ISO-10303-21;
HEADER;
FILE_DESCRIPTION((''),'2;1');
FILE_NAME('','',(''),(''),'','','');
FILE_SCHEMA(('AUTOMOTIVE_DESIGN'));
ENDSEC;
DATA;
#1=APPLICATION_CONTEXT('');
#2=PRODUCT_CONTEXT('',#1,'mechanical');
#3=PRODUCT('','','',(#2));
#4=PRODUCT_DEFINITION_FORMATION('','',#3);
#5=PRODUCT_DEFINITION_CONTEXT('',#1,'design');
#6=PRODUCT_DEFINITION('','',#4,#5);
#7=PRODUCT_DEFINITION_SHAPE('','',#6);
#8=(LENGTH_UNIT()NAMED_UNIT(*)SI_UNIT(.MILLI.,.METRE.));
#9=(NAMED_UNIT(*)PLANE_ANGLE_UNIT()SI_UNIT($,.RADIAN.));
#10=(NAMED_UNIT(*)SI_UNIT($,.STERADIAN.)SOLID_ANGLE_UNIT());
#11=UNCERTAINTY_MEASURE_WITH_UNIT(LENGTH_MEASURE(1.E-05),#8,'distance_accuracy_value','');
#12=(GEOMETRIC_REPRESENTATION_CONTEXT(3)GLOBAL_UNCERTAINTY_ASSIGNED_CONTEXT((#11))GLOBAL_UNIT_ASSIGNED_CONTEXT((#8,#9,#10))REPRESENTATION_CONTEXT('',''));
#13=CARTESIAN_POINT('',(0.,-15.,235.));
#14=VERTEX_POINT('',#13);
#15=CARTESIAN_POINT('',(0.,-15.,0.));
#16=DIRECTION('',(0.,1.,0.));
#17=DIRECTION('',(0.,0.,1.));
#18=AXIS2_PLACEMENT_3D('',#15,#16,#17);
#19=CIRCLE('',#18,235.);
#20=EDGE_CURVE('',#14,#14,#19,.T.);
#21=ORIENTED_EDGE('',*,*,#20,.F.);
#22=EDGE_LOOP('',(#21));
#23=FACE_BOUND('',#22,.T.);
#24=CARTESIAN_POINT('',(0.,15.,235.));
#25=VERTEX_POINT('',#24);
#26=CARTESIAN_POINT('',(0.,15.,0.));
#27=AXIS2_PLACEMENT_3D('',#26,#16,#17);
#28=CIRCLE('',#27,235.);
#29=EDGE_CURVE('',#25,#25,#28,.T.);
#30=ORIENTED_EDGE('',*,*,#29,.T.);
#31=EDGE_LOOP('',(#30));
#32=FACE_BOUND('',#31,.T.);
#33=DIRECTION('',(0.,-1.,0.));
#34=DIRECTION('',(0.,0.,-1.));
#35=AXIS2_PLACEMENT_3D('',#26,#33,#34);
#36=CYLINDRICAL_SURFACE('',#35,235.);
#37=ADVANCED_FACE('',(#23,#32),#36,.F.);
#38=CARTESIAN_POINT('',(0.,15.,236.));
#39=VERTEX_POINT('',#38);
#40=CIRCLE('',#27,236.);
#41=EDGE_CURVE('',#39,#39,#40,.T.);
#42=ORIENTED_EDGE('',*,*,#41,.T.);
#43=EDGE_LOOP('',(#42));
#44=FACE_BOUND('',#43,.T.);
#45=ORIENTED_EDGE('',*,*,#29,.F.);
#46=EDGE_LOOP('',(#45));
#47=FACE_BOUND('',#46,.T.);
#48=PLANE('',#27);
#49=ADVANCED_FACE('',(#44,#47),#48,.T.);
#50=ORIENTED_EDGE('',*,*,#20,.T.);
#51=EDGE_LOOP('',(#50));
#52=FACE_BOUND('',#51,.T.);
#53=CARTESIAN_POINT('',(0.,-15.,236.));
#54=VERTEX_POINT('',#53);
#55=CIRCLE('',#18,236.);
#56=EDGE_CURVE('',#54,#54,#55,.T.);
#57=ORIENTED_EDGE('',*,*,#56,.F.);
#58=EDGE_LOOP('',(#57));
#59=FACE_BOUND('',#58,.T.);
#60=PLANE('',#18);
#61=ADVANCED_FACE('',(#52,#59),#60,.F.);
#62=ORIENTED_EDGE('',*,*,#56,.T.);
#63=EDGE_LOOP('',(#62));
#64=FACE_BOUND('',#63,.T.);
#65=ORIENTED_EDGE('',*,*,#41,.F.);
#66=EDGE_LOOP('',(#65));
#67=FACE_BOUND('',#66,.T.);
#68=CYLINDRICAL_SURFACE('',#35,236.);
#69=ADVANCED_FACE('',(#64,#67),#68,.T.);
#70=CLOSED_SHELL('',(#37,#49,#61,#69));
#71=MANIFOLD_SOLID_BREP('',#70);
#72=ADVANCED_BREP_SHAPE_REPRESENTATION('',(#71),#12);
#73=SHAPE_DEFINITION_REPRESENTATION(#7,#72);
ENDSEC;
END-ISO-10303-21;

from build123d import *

# Parameters (mm, degrees)
SKETCH1_R           = 236
SKETCH1_R_2         = 235
BOSS_EXTRUDE1_DEPTH = 15


with BuildPart() as part:
    # Sketch1 → Boss-Extrude1 (new, symmetric)
    with BuildSketch(Plane(origin=(0, 0, 0), x_dir=(1, 0, 0), z_dir=(0, 1, 0))):
        with Locations(Location((0, 0, 0), (0, 0, 270))):
            Circle(SKETCH1_R)
        with Locations(Location((0, 0, 0), (0, 0, 270))):
            Circle(SKETCH1_R_2, mode=Mode.SUBTRACT)
    extrude(amount=BOSS_EXTRUDE1_DEPTH, both=True)


solid = part.part
